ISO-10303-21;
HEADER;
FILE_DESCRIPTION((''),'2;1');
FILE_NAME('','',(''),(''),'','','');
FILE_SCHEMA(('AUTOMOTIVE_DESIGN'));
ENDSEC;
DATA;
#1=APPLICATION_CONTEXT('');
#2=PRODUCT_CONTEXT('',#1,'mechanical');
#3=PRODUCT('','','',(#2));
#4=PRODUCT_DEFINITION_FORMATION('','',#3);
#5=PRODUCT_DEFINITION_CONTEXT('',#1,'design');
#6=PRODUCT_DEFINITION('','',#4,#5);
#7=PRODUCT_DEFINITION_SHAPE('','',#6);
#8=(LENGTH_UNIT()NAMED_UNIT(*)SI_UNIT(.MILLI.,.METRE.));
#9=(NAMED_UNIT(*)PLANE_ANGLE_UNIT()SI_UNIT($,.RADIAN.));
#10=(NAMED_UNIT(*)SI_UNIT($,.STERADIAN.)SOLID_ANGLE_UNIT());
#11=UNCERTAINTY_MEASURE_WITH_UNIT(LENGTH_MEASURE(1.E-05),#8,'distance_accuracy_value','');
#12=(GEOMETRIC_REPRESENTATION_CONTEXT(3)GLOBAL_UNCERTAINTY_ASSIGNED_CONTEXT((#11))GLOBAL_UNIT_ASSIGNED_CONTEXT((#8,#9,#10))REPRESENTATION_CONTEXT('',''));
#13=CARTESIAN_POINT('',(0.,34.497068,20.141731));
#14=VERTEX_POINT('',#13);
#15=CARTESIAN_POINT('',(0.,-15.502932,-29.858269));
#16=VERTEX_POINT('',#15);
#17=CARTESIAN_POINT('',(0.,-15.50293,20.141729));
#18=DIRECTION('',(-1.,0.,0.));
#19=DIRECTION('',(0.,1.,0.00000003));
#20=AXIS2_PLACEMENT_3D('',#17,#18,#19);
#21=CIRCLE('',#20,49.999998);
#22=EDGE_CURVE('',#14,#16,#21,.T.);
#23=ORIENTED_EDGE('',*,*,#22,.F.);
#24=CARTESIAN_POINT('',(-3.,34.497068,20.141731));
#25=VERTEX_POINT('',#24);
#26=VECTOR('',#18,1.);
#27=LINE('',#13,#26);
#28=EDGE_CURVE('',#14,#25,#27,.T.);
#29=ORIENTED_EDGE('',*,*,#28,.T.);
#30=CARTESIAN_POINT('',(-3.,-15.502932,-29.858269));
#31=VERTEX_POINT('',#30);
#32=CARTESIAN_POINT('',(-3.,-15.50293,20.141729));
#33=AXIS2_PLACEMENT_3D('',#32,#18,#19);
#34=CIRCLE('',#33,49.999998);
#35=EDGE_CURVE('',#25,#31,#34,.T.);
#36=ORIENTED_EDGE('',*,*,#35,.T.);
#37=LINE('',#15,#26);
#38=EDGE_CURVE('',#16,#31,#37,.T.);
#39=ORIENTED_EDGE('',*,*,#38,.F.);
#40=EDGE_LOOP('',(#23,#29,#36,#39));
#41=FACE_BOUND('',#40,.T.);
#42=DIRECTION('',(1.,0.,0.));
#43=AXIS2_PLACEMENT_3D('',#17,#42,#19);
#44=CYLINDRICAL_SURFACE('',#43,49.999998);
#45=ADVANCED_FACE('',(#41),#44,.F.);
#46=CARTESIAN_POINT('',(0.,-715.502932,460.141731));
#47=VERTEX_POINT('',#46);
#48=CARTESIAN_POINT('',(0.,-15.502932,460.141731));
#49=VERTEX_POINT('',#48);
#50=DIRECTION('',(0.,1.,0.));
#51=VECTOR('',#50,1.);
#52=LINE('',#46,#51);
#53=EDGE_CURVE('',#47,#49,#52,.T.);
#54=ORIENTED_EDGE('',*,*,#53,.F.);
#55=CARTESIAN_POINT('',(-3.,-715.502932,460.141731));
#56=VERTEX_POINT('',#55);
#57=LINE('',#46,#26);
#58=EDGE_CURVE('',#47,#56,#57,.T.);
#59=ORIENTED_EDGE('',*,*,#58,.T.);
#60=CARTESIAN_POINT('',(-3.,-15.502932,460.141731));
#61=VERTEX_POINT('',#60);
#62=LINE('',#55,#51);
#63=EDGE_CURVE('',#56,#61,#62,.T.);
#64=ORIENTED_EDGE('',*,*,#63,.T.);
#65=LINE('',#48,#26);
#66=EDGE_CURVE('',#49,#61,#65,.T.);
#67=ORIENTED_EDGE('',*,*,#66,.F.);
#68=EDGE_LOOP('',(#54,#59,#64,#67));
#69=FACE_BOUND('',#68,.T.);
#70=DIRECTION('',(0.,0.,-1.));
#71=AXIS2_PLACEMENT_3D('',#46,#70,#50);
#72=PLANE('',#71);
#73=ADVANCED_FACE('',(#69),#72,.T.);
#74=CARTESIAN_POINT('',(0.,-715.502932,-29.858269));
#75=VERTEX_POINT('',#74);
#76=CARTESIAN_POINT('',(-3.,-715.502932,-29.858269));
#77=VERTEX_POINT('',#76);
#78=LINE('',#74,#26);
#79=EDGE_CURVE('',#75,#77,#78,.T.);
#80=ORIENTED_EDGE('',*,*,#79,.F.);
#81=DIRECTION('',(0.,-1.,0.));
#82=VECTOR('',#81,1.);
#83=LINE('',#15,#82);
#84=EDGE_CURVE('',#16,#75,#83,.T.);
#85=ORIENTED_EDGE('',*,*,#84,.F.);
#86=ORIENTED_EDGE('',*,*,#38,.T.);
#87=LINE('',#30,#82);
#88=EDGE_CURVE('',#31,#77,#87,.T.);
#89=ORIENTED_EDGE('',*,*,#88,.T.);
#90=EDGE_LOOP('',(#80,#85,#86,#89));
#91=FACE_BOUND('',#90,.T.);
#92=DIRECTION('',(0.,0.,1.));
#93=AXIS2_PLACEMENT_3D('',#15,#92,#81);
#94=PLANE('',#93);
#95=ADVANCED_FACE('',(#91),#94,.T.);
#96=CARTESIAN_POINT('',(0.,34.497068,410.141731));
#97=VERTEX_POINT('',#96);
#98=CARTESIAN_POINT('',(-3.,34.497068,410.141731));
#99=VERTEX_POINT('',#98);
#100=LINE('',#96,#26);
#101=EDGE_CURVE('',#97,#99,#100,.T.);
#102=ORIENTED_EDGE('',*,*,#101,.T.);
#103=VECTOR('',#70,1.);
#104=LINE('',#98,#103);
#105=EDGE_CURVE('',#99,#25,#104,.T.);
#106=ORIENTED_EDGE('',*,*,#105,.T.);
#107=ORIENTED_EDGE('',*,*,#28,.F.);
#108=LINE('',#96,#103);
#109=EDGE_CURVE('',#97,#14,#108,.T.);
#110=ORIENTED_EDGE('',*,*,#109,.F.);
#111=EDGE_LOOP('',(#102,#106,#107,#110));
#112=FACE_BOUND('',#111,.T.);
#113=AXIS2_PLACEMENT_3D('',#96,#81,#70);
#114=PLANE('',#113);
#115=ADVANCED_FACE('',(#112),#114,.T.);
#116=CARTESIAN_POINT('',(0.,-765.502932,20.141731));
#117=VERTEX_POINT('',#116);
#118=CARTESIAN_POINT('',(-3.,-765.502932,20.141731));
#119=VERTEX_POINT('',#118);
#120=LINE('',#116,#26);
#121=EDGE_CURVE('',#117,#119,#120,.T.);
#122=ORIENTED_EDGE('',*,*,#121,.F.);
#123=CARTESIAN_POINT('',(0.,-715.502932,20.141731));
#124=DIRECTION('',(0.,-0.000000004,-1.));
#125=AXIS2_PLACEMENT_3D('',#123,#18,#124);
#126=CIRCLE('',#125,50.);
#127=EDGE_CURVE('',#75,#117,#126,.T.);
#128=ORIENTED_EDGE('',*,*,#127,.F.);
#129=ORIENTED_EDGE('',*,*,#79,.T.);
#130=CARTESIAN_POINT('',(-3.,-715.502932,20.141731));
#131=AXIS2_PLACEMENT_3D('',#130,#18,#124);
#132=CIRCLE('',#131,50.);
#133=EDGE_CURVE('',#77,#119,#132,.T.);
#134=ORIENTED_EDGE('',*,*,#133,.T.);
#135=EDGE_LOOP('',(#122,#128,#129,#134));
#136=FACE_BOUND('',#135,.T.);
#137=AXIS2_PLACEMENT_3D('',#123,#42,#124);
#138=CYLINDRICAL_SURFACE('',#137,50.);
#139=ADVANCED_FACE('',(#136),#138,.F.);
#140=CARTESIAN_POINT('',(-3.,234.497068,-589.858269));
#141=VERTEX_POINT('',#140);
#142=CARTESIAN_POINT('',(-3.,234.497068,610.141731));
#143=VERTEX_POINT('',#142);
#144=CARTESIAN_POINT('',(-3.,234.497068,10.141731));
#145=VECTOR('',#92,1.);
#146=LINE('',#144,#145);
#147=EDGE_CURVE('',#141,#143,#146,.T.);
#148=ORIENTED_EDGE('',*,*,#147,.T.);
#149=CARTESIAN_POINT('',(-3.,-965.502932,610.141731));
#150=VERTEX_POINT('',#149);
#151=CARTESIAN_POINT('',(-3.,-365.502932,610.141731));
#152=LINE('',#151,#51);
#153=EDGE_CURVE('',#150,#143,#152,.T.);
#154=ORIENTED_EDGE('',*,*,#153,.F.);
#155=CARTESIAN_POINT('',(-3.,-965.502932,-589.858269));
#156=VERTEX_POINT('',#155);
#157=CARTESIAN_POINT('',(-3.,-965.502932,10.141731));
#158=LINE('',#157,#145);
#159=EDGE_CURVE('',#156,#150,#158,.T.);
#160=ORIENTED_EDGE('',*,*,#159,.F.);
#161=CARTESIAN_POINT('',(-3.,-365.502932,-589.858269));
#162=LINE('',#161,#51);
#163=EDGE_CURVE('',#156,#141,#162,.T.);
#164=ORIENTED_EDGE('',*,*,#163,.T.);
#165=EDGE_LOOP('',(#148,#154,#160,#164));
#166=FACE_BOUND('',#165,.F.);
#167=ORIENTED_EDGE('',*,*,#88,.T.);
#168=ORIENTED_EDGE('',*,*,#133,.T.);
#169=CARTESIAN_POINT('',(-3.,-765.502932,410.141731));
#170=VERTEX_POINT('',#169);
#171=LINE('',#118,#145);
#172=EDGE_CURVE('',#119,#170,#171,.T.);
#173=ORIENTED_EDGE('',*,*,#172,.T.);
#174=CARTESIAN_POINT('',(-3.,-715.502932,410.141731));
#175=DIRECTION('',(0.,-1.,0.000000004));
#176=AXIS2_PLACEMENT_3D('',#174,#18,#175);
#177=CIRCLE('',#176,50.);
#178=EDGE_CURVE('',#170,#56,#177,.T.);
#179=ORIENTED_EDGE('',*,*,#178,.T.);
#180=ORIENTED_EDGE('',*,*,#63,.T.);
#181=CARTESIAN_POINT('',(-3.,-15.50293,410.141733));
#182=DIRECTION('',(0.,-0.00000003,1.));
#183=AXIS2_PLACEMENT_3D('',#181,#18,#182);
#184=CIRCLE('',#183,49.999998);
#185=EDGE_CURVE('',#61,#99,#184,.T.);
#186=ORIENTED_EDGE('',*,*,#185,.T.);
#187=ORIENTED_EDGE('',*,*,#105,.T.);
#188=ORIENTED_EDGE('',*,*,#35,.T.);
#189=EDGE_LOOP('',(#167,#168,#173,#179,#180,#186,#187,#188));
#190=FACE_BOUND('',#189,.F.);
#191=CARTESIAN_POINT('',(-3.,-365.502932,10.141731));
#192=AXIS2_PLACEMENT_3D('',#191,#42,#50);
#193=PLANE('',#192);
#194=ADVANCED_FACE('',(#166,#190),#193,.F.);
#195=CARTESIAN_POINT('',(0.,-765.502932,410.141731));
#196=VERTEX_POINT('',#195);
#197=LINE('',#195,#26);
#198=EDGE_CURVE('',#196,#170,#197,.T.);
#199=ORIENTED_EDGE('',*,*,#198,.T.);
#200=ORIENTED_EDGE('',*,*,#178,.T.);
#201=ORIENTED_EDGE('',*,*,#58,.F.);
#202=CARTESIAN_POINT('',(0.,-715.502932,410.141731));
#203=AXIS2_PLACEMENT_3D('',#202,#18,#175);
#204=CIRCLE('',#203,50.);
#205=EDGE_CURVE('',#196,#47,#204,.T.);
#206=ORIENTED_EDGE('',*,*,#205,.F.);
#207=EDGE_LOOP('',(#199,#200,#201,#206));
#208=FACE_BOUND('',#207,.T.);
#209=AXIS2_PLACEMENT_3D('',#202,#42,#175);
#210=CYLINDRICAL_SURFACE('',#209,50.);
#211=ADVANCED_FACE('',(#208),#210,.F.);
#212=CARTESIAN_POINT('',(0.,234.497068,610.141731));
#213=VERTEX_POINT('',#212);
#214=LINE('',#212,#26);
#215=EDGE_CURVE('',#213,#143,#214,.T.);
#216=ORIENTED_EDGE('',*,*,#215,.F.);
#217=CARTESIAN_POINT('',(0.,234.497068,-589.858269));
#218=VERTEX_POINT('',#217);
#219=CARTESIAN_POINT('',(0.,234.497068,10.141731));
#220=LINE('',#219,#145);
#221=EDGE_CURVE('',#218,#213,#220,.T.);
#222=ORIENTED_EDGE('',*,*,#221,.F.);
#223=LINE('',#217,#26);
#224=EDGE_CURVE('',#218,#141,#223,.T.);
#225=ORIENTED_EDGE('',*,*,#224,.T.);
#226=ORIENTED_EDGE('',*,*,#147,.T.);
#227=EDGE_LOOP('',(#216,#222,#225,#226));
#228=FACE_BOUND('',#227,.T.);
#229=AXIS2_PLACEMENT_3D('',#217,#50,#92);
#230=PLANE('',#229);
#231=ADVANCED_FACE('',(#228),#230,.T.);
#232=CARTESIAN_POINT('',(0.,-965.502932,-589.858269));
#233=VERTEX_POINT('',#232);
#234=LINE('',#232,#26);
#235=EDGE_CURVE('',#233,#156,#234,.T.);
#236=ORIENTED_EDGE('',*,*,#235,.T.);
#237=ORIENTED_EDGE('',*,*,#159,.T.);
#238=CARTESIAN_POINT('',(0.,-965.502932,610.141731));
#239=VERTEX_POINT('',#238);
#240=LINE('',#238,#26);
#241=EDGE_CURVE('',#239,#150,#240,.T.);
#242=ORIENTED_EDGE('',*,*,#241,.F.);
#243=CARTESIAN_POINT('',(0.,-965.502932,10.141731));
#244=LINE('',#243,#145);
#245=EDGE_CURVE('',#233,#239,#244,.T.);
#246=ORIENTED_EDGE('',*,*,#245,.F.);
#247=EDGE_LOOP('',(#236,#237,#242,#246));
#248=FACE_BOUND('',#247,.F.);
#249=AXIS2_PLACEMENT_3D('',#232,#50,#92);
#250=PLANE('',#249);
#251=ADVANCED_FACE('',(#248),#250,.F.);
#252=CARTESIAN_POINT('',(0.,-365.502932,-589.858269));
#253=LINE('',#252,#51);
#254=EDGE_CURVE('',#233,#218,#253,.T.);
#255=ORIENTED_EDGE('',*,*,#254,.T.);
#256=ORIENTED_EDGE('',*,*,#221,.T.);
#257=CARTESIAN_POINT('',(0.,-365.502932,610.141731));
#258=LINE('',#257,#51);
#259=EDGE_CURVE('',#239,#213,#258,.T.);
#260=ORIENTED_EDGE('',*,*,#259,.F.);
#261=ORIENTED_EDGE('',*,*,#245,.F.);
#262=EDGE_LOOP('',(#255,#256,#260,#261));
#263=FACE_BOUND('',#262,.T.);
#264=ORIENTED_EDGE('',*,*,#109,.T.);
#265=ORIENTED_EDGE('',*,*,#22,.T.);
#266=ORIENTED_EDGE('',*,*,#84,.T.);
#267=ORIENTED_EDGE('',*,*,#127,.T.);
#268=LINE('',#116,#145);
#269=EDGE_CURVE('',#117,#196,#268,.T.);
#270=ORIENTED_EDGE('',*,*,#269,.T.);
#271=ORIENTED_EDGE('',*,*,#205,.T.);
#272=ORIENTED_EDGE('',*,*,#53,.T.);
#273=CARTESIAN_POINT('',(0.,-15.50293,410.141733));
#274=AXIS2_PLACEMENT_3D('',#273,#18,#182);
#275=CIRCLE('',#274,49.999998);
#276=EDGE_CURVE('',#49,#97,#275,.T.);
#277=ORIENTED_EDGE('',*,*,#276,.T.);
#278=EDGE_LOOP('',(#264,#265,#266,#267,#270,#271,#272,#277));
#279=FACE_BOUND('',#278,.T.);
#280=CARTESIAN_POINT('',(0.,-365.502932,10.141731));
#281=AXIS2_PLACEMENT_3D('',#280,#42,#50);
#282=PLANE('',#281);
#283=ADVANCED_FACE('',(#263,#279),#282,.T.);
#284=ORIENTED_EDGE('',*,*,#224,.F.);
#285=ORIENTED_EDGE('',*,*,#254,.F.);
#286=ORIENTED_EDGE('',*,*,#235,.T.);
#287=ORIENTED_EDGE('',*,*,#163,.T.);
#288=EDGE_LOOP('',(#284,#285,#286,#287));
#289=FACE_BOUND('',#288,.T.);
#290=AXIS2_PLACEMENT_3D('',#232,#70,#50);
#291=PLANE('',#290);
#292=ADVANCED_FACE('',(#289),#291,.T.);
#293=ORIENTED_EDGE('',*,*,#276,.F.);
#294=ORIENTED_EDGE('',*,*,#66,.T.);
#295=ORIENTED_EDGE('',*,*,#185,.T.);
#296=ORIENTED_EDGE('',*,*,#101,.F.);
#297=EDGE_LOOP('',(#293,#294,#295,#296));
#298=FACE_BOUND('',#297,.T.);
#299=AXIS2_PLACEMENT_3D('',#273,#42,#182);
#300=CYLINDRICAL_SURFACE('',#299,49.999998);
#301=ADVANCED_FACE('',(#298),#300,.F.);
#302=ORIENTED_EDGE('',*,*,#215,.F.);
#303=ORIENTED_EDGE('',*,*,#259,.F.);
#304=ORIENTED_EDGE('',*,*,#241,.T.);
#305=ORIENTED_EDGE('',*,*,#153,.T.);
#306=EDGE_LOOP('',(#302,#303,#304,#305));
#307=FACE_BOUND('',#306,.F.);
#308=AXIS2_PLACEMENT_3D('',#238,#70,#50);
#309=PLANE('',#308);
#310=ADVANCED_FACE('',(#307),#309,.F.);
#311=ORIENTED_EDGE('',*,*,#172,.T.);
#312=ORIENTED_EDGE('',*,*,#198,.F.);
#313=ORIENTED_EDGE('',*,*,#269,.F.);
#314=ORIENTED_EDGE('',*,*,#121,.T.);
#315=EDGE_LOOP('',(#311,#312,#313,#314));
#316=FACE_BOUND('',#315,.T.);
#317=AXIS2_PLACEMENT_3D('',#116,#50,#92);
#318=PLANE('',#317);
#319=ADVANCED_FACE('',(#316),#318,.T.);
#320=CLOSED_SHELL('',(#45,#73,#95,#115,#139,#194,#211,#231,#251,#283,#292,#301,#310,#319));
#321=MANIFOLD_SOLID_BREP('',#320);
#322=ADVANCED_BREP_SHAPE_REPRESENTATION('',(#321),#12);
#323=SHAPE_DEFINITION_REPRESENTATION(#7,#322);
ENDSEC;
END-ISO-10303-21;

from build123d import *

# Parameters (mm, degrees)
F0_W     = 1200
F0_H     = 1200
F1_DEPTH = 3


with BuildPart() as f1:
    # F0 (on Right) → F1 (new body)
    with BuildSketch(Plane.YZ):
        with Locations((-365.502932, 10.141731)):
            Rectangle(F0_W, F0_H)
        with BuildLine():
            ThreePointArc((-765.502932, 410.141731), (-750.858271, 445.49707), (-715.502932, 460.141731))
            Line((-715.502932, 460.141731), (-15.502932, 460.141731))
            ThreePointArc((-15.502932, 460.141731), (19.852408, 445.49707), (34.497068, 410.141731))
            Line((34.497068, 410.141731), (34.497068, 20.141731))
            ThreePointArc((34.497068, 20.141731), (19.852408, -15.213608), (-15.502932, -29.858269))
            Line((-15.502932, -29.858269), (-715.502932, -29.858269))
            ThreePointArc((-715.502932, -29.858269), (-750.858271, -15.213608), (-765.502932, 20.141731))
            Line((-765.502932, 20.141731), (-765.502932, 410.141731))
        make_face(mode=Mode.SUBTRACT)
    extrude(amount=-F1_DEPTH)


solid = f1.part
